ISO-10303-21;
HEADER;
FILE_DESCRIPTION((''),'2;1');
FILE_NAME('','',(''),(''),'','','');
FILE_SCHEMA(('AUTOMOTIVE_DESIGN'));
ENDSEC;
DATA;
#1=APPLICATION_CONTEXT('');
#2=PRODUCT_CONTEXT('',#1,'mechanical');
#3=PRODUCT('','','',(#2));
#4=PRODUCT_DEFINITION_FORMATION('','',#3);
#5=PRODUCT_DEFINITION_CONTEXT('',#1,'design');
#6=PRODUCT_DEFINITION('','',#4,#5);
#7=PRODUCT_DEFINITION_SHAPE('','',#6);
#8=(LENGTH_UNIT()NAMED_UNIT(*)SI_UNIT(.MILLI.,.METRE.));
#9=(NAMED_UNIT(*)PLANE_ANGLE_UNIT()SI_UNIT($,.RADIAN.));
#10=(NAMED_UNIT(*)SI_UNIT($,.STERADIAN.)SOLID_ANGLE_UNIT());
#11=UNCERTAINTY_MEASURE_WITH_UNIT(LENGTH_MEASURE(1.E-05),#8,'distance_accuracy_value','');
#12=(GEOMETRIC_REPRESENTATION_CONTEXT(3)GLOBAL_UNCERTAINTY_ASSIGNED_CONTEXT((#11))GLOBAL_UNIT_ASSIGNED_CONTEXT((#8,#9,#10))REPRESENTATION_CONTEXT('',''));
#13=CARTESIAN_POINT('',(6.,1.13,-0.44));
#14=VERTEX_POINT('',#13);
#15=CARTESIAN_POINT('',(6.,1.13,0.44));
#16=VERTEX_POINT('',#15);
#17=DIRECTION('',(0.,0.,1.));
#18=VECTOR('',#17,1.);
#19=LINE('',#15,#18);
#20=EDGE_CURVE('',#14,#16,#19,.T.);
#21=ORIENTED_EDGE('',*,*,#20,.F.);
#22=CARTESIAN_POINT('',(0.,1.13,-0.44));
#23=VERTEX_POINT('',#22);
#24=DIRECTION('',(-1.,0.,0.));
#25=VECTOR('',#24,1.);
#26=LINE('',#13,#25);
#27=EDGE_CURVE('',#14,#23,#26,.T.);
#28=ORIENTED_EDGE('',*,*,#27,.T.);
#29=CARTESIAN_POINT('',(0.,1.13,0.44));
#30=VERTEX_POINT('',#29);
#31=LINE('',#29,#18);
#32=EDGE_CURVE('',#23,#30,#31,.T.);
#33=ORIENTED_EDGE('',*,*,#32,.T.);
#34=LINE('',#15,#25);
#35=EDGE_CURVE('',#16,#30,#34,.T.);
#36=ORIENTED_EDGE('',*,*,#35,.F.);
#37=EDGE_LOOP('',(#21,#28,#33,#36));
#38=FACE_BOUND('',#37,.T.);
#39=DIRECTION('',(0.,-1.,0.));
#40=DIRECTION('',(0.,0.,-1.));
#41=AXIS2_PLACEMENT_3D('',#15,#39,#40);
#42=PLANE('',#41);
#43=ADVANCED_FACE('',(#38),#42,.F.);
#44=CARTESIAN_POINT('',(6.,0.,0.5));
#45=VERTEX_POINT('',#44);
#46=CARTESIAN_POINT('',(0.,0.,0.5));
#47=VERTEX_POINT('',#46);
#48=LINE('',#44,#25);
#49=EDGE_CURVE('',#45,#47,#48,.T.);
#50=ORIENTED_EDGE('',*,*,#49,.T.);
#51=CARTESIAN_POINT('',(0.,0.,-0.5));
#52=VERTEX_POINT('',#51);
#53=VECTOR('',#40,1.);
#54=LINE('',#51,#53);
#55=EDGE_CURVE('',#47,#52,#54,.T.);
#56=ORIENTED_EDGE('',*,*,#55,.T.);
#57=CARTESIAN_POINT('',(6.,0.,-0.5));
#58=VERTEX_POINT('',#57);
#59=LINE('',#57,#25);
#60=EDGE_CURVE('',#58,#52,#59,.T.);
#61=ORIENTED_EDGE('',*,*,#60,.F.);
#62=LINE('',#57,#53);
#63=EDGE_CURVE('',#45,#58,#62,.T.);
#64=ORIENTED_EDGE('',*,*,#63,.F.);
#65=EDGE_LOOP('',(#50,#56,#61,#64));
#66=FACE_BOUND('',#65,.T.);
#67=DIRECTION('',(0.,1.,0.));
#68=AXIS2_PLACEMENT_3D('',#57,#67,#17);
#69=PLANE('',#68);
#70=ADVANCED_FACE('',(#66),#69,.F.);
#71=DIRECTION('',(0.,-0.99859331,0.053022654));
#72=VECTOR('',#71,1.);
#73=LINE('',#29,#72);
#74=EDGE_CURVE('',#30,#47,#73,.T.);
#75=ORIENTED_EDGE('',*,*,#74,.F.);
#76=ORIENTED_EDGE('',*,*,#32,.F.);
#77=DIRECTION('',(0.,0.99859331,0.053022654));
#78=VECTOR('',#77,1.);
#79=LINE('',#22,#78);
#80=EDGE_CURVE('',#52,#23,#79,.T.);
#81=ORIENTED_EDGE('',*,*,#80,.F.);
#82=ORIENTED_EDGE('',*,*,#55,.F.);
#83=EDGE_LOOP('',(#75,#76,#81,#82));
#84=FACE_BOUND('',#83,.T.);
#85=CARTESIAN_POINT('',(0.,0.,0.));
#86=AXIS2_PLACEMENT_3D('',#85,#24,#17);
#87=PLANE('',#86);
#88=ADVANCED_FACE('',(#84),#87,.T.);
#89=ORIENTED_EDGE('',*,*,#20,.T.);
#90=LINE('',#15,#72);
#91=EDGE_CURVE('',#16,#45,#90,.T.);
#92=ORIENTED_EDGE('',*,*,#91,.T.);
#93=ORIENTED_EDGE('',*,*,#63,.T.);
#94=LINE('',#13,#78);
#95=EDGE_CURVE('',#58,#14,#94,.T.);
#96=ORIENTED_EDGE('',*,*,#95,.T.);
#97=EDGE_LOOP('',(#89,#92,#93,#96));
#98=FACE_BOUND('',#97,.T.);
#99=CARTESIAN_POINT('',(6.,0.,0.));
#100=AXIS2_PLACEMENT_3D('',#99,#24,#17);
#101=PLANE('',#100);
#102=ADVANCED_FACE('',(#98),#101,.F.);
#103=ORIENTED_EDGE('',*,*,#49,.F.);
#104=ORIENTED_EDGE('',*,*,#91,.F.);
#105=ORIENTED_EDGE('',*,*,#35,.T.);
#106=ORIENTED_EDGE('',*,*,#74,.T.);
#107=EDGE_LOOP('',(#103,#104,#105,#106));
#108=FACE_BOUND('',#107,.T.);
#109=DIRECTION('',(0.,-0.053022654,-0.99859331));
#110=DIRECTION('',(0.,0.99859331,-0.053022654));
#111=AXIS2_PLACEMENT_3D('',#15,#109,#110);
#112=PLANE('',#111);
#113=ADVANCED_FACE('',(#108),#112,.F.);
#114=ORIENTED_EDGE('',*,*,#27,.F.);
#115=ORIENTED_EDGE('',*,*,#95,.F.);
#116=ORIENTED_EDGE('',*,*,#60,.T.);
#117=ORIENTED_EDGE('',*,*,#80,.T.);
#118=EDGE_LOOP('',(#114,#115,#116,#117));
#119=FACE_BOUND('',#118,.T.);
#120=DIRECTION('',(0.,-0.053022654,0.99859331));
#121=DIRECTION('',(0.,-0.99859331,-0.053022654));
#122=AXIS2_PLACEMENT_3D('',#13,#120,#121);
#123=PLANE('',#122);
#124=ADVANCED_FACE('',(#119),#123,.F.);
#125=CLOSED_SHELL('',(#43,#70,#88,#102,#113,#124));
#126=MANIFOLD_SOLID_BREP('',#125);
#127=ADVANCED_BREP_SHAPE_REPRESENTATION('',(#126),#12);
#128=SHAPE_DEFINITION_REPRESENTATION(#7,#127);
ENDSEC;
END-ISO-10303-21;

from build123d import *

# Parameters (mm, degrees)
BOSS_EXTRUDE1_DEPTH = 6


with BuildPart() as part:
    # Sketch2 → Boss-Extrude1 (new body)
    with BuildSketch(Plane(origin=(0, 0, 0), x_dir=(0, 0, -1), z_dir=(1, 0, 0))):
        Polygon((-0.44, 1.13), (0.44, 1.13), (0.5, 0), (-0.5, 0), align=None)
    extrude(amount=BOSS_EXTRUDE1_DEPTH)


solid = part.part
